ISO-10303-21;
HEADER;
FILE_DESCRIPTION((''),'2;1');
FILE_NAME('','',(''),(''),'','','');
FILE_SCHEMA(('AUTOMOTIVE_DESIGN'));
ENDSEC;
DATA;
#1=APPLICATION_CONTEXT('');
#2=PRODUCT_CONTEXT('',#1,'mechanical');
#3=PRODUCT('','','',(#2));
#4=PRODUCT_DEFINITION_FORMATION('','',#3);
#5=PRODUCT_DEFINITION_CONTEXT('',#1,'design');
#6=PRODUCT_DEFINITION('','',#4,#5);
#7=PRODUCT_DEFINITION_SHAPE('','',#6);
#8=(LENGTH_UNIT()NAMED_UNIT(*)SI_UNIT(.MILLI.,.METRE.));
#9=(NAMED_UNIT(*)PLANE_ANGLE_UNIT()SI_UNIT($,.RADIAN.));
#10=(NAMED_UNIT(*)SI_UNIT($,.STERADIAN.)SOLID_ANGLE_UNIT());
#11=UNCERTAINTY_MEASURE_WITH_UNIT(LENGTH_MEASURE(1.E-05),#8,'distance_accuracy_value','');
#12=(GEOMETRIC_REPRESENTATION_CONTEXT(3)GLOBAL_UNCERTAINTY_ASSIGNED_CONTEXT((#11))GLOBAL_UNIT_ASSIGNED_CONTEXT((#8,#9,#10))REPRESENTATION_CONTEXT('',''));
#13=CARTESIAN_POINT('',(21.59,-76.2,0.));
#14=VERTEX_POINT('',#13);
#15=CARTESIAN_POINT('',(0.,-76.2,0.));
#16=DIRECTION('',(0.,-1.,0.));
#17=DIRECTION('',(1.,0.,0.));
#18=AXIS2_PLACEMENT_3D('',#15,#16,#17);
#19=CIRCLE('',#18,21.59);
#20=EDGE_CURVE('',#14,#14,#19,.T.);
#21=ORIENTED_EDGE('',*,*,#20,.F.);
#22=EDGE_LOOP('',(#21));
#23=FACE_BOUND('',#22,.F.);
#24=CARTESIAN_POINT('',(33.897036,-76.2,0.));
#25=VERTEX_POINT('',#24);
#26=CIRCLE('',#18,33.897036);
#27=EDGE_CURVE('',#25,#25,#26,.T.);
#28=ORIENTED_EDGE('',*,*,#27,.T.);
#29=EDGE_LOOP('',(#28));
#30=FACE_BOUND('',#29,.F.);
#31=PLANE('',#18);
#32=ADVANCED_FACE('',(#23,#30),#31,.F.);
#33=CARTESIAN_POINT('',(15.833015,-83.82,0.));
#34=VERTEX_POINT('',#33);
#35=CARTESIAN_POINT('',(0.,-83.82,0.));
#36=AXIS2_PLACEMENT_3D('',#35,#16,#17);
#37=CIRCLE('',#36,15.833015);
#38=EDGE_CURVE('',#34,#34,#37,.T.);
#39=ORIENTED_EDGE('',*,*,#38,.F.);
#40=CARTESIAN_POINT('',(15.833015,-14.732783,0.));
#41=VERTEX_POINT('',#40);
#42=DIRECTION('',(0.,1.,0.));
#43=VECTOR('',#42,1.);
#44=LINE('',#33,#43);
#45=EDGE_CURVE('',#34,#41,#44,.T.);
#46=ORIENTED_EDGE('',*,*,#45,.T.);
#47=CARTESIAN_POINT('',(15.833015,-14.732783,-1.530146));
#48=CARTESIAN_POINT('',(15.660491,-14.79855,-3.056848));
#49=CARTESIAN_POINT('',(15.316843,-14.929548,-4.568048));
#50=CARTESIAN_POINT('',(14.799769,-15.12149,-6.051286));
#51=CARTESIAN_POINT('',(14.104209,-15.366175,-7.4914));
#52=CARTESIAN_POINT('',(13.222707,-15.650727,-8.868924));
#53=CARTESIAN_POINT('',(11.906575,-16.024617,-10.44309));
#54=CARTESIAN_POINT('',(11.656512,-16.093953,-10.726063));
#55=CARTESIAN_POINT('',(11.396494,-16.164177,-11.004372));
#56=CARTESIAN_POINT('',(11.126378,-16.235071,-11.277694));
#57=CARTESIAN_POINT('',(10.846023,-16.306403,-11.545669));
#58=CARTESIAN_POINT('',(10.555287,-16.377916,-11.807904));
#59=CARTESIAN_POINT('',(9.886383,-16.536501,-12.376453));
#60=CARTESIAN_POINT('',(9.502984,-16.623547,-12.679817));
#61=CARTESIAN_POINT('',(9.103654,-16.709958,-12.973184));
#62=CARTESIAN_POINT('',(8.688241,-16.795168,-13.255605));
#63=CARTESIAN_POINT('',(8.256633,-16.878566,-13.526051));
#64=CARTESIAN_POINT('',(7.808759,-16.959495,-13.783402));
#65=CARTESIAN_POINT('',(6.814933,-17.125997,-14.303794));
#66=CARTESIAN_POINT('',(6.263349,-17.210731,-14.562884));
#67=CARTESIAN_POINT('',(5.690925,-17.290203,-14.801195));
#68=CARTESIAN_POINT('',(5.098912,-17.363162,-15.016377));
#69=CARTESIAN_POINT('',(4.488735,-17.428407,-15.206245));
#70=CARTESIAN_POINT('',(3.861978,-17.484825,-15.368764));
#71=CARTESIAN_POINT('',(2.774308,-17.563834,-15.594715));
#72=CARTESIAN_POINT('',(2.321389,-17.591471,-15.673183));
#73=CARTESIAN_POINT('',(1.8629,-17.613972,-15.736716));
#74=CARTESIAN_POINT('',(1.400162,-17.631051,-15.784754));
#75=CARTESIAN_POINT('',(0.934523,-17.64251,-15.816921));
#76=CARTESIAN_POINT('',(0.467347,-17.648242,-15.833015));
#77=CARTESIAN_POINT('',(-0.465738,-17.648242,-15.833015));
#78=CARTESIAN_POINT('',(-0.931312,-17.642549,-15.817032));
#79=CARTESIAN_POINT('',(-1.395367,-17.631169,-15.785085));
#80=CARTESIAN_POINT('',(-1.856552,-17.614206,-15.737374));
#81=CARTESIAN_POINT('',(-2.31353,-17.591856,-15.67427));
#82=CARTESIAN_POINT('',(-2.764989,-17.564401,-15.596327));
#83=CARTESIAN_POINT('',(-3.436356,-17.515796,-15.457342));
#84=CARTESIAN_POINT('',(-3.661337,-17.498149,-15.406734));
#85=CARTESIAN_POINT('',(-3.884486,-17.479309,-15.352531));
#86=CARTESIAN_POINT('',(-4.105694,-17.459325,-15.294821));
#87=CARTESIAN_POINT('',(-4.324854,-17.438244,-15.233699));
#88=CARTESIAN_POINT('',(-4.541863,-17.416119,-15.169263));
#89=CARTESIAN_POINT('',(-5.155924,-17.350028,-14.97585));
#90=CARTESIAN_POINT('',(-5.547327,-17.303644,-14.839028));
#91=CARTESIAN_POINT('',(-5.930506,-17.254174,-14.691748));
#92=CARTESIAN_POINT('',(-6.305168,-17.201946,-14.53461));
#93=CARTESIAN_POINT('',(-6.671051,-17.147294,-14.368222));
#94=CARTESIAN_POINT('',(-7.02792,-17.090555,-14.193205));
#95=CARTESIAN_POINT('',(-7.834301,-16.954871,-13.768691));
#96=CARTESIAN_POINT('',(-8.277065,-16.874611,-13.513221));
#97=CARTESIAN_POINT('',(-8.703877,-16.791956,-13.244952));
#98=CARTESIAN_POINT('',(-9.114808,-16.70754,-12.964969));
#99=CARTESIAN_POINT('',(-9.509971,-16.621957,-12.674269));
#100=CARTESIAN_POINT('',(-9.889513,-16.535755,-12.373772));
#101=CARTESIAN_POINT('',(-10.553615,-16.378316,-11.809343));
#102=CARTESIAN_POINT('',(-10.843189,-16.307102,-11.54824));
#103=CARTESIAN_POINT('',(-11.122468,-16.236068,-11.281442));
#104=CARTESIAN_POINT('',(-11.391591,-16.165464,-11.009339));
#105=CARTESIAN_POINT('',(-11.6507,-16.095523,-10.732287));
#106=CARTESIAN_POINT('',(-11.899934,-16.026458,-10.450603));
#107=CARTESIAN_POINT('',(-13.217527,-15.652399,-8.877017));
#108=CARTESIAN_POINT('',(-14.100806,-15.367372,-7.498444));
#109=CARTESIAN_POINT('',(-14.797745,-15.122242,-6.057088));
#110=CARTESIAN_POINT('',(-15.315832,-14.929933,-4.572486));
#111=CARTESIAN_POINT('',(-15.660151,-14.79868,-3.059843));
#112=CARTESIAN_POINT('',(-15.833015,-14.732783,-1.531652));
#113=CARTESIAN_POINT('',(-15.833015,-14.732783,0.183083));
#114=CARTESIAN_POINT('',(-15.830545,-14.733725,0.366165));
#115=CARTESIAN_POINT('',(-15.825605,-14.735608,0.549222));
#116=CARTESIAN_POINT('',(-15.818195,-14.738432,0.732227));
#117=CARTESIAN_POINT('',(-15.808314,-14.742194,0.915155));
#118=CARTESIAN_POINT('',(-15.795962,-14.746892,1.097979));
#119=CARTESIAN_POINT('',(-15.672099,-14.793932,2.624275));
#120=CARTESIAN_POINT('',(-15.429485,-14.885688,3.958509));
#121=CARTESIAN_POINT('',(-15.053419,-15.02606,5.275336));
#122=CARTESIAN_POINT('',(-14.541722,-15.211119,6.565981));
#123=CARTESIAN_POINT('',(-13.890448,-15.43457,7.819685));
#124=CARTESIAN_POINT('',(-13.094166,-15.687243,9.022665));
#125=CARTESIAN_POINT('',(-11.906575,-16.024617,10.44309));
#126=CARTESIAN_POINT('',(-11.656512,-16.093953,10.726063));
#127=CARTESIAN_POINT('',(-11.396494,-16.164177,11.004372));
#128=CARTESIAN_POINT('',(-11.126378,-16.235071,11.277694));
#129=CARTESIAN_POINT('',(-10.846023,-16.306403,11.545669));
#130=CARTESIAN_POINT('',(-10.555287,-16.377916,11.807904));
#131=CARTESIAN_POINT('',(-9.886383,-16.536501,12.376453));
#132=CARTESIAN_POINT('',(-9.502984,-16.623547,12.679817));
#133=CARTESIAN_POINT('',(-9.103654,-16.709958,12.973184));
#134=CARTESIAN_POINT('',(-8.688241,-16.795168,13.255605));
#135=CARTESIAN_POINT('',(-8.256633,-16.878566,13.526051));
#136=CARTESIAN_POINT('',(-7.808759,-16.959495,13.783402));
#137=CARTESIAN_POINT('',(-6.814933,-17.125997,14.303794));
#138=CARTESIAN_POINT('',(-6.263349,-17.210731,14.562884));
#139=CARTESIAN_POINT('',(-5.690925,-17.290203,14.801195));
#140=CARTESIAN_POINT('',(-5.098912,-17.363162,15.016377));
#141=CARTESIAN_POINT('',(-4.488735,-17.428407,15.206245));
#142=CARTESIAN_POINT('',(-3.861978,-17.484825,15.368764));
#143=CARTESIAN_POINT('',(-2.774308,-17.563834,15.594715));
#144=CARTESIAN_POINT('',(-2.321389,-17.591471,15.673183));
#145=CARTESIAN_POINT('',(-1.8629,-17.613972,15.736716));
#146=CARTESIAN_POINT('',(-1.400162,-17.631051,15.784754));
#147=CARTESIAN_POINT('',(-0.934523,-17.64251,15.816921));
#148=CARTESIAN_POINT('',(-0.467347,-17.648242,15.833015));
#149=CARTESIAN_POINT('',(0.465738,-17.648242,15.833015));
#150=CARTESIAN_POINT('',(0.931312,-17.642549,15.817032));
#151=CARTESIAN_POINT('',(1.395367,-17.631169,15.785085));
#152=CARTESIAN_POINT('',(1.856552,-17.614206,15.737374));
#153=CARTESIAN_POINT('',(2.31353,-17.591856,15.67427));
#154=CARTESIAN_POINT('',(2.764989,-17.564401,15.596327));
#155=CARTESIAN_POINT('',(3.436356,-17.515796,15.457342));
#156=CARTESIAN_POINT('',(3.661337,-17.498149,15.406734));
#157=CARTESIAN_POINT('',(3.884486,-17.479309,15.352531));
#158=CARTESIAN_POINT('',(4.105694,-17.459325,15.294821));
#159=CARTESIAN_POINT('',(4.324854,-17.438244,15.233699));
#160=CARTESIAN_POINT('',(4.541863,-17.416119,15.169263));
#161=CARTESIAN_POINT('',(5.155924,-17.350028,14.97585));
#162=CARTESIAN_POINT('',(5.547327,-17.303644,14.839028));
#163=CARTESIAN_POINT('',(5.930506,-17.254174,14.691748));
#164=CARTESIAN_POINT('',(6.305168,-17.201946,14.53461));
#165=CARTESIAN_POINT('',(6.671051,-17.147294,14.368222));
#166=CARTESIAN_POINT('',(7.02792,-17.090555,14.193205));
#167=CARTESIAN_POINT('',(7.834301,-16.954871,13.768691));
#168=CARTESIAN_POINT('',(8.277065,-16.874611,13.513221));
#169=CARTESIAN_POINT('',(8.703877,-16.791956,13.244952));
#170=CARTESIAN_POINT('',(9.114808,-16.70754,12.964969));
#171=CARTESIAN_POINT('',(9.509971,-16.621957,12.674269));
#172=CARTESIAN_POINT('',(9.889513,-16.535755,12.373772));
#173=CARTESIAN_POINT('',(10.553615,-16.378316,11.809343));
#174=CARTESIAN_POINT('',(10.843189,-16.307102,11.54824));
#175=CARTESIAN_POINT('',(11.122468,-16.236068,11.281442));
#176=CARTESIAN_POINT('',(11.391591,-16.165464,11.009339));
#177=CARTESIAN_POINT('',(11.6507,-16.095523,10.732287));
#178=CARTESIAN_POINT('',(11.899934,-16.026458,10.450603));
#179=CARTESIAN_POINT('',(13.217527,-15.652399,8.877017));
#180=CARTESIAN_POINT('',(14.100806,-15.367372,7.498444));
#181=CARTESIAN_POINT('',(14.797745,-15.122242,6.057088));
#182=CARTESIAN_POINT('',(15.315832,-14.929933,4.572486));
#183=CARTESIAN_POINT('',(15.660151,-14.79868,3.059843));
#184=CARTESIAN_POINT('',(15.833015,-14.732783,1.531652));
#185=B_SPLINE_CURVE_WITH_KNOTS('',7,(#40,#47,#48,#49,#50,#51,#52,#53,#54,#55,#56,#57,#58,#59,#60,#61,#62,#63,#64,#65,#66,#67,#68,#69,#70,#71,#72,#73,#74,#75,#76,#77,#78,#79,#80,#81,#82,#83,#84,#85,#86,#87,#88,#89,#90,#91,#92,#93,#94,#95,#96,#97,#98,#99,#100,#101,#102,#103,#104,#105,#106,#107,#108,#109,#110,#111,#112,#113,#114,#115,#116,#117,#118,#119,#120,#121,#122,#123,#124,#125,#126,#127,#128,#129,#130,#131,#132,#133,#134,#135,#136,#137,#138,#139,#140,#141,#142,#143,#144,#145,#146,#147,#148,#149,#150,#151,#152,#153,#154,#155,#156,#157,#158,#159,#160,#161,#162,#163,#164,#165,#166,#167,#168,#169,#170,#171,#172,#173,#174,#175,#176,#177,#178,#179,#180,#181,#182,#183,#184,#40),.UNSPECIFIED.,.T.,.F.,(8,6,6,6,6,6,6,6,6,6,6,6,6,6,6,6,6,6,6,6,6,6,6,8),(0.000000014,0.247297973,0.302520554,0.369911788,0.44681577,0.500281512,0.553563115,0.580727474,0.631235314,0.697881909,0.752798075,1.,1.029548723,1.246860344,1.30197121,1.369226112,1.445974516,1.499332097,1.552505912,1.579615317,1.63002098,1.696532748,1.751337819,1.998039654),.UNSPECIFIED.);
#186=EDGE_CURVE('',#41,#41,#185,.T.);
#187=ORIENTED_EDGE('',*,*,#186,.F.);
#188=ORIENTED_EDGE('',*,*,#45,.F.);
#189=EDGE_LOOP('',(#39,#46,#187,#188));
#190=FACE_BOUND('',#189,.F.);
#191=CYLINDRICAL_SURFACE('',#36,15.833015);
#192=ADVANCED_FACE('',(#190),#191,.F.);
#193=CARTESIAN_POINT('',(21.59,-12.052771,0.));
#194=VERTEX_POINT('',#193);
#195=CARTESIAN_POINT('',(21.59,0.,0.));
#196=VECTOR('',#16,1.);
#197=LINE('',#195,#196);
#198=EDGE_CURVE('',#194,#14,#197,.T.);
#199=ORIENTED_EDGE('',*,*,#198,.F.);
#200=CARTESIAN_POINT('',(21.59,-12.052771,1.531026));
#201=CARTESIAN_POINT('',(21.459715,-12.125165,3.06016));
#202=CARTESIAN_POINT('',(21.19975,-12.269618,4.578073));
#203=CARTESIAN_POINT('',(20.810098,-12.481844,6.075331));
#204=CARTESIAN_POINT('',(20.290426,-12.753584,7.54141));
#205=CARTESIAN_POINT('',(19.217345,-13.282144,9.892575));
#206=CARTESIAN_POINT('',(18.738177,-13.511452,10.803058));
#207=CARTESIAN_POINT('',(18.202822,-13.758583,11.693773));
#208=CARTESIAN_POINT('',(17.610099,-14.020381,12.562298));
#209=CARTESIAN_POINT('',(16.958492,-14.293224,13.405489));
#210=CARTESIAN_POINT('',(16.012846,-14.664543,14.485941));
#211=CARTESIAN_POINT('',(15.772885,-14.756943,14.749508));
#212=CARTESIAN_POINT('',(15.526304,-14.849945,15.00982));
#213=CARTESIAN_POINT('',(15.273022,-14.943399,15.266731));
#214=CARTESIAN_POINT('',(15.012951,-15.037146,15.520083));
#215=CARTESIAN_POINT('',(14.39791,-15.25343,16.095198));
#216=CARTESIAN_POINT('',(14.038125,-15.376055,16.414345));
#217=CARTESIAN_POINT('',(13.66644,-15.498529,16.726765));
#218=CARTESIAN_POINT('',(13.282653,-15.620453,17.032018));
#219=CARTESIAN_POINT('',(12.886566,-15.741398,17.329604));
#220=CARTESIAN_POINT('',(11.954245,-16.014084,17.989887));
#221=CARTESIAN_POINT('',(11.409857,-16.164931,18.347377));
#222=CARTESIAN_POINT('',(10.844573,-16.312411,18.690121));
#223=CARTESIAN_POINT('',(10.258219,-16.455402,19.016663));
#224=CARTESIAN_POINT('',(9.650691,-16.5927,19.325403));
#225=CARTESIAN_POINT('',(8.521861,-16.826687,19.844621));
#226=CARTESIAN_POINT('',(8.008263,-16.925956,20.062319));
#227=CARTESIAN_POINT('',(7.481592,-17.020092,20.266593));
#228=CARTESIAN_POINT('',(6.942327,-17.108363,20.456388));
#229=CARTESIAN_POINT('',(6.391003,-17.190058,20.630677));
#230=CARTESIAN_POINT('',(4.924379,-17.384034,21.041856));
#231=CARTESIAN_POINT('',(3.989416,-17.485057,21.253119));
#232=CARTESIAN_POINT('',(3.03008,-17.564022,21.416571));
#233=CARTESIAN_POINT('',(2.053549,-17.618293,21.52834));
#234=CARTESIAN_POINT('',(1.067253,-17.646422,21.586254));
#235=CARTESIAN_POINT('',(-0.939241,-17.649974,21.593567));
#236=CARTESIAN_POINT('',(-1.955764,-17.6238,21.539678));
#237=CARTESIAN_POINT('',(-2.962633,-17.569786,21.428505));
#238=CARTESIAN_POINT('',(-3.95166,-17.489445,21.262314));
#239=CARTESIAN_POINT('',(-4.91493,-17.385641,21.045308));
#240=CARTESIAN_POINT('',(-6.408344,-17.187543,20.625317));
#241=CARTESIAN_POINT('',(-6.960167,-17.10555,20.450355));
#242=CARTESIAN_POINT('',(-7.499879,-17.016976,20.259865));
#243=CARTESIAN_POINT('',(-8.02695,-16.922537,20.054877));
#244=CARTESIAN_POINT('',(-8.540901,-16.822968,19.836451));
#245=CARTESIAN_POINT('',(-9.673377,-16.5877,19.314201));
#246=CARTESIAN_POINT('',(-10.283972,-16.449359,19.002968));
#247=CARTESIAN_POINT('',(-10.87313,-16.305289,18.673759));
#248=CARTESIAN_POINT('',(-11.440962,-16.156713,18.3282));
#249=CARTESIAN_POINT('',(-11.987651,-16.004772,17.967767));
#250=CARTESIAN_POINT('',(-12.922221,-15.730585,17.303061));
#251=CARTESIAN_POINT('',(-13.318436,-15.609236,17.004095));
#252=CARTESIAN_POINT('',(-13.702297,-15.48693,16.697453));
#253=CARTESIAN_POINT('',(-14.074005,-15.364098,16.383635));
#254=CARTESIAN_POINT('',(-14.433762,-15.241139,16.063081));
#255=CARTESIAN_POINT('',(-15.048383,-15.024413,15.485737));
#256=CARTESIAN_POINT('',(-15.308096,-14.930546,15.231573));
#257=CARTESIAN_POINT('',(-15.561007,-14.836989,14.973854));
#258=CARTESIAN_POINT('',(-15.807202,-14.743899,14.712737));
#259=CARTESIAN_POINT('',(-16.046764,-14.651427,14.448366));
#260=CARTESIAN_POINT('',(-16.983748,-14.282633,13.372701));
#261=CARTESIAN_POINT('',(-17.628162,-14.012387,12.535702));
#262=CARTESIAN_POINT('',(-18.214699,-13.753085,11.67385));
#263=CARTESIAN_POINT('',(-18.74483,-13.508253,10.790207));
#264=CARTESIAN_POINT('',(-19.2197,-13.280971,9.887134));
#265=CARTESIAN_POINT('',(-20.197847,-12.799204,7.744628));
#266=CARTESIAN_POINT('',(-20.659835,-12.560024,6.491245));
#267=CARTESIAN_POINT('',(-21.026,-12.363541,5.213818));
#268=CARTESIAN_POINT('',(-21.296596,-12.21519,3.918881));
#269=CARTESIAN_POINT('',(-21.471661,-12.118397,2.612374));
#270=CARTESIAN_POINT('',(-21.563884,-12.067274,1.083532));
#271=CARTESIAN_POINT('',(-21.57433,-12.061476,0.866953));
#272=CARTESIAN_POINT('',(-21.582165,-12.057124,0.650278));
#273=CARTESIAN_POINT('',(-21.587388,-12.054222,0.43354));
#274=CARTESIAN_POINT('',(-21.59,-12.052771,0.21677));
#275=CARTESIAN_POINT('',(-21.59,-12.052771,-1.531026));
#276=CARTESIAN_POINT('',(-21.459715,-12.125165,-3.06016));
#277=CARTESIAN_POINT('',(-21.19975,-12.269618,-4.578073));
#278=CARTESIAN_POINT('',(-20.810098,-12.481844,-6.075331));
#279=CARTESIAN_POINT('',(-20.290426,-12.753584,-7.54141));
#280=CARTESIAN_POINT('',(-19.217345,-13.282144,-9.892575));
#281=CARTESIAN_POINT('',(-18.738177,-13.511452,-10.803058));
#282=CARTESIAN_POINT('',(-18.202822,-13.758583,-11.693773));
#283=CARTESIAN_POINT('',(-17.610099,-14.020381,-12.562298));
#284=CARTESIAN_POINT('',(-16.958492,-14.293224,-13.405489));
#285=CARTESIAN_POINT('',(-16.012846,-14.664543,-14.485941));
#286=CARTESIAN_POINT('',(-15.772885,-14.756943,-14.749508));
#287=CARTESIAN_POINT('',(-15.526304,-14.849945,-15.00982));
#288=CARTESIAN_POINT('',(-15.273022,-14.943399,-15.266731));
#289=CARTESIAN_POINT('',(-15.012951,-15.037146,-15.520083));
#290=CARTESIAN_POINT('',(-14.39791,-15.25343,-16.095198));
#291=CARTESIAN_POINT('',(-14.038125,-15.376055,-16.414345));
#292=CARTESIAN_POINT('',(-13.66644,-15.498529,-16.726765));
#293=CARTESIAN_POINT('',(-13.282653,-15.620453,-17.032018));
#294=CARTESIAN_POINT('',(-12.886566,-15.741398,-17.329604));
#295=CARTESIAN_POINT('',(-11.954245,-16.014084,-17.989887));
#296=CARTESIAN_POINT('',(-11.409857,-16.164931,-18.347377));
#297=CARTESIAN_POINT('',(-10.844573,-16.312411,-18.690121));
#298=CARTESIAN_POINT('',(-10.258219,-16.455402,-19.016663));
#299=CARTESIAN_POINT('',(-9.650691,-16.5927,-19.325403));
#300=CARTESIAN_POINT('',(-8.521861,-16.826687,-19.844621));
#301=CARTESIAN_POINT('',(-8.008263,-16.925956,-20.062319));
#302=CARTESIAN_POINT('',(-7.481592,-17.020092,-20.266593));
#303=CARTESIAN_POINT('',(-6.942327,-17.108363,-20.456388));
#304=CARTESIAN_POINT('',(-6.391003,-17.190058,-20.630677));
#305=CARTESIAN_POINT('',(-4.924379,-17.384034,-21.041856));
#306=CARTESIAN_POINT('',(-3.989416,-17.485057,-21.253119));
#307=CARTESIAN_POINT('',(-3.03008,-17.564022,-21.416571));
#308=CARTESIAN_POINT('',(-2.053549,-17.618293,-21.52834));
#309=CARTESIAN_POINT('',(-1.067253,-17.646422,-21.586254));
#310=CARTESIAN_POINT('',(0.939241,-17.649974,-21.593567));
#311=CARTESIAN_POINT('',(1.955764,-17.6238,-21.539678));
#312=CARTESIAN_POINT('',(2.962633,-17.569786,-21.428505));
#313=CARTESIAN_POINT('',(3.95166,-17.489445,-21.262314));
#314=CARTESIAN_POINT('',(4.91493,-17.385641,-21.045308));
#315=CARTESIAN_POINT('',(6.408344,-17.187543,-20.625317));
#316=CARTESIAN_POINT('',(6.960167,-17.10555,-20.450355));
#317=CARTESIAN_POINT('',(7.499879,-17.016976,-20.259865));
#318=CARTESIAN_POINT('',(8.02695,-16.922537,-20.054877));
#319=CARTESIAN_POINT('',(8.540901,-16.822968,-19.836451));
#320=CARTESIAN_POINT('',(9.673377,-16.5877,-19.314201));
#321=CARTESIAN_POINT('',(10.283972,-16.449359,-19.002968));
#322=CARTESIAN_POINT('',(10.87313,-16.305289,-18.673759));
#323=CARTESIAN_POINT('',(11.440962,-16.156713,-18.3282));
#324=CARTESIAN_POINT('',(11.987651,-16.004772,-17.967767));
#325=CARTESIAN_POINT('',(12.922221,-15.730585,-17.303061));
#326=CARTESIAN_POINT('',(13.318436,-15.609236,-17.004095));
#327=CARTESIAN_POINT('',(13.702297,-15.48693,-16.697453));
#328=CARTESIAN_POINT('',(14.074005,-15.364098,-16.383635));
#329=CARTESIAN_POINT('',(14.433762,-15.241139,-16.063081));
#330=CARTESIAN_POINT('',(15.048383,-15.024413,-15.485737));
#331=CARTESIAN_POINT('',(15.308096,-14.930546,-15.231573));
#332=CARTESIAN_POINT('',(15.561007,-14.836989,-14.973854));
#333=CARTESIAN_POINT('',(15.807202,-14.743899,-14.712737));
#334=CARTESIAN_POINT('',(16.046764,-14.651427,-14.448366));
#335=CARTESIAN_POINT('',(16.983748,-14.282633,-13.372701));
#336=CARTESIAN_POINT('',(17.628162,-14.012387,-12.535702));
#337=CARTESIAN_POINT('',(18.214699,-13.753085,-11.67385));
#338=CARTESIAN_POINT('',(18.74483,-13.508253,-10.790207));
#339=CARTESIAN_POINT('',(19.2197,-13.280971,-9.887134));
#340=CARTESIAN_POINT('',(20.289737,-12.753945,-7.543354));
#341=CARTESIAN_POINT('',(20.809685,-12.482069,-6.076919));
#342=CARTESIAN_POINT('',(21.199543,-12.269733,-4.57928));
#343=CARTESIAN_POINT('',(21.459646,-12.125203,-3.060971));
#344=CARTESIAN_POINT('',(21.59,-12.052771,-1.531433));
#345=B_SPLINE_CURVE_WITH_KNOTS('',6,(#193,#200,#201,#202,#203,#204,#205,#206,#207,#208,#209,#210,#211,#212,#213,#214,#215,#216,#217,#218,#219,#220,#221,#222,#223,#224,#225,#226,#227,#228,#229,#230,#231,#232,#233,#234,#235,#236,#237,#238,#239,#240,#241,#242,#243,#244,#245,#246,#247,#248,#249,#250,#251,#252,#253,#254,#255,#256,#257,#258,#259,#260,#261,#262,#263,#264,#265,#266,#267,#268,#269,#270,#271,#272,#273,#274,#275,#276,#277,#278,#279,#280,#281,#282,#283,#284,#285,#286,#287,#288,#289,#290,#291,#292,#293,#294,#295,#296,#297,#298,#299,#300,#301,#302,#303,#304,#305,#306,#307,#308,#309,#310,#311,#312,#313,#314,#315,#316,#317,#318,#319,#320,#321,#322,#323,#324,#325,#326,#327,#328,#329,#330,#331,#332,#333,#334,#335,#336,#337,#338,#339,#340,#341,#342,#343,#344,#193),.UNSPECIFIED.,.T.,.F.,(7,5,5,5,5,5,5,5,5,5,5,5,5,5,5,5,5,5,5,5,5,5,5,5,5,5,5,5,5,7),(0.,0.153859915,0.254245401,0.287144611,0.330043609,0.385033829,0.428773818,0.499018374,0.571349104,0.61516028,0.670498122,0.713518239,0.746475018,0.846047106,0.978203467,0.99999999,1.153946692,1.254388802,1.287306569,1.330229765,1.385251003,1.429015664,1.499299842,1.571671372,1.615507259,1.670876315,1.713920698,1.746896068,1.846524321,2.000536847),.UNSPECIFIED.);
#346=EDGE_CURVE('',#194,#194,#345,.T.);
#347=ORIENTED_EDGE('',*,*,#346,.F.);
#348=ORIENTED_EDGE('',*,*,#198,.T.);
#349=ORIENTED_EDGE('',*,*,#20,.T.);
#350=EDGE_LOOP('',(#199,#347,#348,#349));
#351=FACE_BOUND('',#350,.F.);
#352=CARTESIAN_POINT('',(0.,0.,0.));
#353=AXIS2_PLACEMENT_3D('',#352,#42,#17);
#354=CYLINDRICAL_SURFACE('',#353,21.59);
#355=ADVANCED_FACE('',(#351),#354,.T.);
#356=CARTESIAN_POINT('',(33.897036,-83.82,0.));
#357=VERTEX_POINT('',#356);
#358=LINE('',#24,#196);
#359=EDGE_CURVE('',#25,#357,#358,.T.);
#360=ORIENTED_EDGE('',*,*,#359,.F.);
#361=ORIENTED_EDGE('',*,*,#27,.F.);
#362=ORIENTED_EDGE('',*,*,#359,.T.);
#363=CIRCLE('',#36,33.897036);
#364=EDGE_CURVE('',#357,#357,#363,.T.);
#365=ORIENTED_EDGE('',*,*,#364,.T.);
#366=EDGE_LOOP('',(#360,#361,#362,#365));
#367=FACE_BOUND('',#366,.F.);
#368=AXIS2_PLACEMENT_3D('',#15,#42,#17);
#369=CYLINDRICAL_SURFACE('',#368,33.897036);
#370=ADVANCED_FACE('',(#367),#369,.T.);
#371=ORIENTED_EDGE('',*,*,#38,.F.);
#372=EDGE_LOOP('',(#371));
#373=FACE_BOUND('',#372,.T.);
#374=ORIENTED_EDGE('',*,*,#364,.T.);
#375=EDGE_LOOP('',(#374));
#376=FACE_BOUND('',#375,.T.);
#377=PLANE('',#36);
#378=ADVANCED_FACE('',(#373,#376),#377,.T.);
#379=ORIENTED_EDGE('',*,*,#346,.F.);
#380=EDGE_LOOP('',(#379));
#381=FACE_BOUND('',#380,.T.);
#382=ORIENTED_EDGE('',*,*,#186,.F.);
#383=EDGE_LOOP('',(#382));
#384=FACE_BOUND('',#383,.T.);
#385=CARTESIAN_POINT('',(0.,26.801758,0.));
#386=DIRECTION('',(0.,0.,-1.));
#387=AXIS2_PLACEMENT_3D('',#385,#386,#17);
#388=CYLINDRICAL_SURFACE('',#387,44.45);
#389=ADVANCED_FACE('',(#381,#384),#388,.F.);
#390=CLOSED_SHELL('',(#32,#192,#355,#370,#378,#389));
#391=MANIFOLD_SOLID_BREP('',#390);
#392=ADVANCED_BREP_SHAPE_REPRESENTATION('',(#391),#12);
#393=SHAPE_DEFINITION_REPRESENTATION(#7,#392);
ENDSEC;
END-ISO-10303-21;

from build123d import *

# Parameters (mm, degrees)
F0_R          = 21.59
F1_DEPTH      = 76.2
F2_R          = 33.897036
F2_R_2        = 21.59
F3_DEPTH      = 7.62
F4_R          = 15.833015
F5_DEPTH      = 83.821
F6_R          = 44.45
F7_DEPTH      = 25.4
F7_DEPTH_BACK = 38.4834


with BuildPart() as f1:
    # F0 (on Front) → F1 (new body)
    with BuildSketch(Plane.XZ):
        Circle(F0_R)
    extrude(amount=F1_DEPTH)

    # F2 (on face) → F3 (join)
    with BuildSketch(Plane.XZ.offset(76.2)):
        Circle(F2_R)
        Circle(F2_R_2, mode=Mode.SUBTRACT)
        Circle(F2_R_2)
    extrude(amount=F3_DEPTH)

    # F4 (on face) → F5 (cut, through all)
    with BuildSketch(Plane.XZ.offset(83.82)):
        Circle(F4_R)
    extrude(amount=-F5_DEPTH, mode=Mode.SUBTRACT)

    # F6 (on Top) → F7 (cut, two sides)
    with BuildSketch(Plane.XY) as f7_sk:
        with Locations((0, 26.801758)):
            Circle(F6_R)
    extrude(amount=F7_DEPTH, mode=Mode.SUBTRACT)
    extrude(f7_sk.sketch, amount=-F7_DEPTH_BACK, mode=Mode.SUBTRACT)


solid = f1.part
